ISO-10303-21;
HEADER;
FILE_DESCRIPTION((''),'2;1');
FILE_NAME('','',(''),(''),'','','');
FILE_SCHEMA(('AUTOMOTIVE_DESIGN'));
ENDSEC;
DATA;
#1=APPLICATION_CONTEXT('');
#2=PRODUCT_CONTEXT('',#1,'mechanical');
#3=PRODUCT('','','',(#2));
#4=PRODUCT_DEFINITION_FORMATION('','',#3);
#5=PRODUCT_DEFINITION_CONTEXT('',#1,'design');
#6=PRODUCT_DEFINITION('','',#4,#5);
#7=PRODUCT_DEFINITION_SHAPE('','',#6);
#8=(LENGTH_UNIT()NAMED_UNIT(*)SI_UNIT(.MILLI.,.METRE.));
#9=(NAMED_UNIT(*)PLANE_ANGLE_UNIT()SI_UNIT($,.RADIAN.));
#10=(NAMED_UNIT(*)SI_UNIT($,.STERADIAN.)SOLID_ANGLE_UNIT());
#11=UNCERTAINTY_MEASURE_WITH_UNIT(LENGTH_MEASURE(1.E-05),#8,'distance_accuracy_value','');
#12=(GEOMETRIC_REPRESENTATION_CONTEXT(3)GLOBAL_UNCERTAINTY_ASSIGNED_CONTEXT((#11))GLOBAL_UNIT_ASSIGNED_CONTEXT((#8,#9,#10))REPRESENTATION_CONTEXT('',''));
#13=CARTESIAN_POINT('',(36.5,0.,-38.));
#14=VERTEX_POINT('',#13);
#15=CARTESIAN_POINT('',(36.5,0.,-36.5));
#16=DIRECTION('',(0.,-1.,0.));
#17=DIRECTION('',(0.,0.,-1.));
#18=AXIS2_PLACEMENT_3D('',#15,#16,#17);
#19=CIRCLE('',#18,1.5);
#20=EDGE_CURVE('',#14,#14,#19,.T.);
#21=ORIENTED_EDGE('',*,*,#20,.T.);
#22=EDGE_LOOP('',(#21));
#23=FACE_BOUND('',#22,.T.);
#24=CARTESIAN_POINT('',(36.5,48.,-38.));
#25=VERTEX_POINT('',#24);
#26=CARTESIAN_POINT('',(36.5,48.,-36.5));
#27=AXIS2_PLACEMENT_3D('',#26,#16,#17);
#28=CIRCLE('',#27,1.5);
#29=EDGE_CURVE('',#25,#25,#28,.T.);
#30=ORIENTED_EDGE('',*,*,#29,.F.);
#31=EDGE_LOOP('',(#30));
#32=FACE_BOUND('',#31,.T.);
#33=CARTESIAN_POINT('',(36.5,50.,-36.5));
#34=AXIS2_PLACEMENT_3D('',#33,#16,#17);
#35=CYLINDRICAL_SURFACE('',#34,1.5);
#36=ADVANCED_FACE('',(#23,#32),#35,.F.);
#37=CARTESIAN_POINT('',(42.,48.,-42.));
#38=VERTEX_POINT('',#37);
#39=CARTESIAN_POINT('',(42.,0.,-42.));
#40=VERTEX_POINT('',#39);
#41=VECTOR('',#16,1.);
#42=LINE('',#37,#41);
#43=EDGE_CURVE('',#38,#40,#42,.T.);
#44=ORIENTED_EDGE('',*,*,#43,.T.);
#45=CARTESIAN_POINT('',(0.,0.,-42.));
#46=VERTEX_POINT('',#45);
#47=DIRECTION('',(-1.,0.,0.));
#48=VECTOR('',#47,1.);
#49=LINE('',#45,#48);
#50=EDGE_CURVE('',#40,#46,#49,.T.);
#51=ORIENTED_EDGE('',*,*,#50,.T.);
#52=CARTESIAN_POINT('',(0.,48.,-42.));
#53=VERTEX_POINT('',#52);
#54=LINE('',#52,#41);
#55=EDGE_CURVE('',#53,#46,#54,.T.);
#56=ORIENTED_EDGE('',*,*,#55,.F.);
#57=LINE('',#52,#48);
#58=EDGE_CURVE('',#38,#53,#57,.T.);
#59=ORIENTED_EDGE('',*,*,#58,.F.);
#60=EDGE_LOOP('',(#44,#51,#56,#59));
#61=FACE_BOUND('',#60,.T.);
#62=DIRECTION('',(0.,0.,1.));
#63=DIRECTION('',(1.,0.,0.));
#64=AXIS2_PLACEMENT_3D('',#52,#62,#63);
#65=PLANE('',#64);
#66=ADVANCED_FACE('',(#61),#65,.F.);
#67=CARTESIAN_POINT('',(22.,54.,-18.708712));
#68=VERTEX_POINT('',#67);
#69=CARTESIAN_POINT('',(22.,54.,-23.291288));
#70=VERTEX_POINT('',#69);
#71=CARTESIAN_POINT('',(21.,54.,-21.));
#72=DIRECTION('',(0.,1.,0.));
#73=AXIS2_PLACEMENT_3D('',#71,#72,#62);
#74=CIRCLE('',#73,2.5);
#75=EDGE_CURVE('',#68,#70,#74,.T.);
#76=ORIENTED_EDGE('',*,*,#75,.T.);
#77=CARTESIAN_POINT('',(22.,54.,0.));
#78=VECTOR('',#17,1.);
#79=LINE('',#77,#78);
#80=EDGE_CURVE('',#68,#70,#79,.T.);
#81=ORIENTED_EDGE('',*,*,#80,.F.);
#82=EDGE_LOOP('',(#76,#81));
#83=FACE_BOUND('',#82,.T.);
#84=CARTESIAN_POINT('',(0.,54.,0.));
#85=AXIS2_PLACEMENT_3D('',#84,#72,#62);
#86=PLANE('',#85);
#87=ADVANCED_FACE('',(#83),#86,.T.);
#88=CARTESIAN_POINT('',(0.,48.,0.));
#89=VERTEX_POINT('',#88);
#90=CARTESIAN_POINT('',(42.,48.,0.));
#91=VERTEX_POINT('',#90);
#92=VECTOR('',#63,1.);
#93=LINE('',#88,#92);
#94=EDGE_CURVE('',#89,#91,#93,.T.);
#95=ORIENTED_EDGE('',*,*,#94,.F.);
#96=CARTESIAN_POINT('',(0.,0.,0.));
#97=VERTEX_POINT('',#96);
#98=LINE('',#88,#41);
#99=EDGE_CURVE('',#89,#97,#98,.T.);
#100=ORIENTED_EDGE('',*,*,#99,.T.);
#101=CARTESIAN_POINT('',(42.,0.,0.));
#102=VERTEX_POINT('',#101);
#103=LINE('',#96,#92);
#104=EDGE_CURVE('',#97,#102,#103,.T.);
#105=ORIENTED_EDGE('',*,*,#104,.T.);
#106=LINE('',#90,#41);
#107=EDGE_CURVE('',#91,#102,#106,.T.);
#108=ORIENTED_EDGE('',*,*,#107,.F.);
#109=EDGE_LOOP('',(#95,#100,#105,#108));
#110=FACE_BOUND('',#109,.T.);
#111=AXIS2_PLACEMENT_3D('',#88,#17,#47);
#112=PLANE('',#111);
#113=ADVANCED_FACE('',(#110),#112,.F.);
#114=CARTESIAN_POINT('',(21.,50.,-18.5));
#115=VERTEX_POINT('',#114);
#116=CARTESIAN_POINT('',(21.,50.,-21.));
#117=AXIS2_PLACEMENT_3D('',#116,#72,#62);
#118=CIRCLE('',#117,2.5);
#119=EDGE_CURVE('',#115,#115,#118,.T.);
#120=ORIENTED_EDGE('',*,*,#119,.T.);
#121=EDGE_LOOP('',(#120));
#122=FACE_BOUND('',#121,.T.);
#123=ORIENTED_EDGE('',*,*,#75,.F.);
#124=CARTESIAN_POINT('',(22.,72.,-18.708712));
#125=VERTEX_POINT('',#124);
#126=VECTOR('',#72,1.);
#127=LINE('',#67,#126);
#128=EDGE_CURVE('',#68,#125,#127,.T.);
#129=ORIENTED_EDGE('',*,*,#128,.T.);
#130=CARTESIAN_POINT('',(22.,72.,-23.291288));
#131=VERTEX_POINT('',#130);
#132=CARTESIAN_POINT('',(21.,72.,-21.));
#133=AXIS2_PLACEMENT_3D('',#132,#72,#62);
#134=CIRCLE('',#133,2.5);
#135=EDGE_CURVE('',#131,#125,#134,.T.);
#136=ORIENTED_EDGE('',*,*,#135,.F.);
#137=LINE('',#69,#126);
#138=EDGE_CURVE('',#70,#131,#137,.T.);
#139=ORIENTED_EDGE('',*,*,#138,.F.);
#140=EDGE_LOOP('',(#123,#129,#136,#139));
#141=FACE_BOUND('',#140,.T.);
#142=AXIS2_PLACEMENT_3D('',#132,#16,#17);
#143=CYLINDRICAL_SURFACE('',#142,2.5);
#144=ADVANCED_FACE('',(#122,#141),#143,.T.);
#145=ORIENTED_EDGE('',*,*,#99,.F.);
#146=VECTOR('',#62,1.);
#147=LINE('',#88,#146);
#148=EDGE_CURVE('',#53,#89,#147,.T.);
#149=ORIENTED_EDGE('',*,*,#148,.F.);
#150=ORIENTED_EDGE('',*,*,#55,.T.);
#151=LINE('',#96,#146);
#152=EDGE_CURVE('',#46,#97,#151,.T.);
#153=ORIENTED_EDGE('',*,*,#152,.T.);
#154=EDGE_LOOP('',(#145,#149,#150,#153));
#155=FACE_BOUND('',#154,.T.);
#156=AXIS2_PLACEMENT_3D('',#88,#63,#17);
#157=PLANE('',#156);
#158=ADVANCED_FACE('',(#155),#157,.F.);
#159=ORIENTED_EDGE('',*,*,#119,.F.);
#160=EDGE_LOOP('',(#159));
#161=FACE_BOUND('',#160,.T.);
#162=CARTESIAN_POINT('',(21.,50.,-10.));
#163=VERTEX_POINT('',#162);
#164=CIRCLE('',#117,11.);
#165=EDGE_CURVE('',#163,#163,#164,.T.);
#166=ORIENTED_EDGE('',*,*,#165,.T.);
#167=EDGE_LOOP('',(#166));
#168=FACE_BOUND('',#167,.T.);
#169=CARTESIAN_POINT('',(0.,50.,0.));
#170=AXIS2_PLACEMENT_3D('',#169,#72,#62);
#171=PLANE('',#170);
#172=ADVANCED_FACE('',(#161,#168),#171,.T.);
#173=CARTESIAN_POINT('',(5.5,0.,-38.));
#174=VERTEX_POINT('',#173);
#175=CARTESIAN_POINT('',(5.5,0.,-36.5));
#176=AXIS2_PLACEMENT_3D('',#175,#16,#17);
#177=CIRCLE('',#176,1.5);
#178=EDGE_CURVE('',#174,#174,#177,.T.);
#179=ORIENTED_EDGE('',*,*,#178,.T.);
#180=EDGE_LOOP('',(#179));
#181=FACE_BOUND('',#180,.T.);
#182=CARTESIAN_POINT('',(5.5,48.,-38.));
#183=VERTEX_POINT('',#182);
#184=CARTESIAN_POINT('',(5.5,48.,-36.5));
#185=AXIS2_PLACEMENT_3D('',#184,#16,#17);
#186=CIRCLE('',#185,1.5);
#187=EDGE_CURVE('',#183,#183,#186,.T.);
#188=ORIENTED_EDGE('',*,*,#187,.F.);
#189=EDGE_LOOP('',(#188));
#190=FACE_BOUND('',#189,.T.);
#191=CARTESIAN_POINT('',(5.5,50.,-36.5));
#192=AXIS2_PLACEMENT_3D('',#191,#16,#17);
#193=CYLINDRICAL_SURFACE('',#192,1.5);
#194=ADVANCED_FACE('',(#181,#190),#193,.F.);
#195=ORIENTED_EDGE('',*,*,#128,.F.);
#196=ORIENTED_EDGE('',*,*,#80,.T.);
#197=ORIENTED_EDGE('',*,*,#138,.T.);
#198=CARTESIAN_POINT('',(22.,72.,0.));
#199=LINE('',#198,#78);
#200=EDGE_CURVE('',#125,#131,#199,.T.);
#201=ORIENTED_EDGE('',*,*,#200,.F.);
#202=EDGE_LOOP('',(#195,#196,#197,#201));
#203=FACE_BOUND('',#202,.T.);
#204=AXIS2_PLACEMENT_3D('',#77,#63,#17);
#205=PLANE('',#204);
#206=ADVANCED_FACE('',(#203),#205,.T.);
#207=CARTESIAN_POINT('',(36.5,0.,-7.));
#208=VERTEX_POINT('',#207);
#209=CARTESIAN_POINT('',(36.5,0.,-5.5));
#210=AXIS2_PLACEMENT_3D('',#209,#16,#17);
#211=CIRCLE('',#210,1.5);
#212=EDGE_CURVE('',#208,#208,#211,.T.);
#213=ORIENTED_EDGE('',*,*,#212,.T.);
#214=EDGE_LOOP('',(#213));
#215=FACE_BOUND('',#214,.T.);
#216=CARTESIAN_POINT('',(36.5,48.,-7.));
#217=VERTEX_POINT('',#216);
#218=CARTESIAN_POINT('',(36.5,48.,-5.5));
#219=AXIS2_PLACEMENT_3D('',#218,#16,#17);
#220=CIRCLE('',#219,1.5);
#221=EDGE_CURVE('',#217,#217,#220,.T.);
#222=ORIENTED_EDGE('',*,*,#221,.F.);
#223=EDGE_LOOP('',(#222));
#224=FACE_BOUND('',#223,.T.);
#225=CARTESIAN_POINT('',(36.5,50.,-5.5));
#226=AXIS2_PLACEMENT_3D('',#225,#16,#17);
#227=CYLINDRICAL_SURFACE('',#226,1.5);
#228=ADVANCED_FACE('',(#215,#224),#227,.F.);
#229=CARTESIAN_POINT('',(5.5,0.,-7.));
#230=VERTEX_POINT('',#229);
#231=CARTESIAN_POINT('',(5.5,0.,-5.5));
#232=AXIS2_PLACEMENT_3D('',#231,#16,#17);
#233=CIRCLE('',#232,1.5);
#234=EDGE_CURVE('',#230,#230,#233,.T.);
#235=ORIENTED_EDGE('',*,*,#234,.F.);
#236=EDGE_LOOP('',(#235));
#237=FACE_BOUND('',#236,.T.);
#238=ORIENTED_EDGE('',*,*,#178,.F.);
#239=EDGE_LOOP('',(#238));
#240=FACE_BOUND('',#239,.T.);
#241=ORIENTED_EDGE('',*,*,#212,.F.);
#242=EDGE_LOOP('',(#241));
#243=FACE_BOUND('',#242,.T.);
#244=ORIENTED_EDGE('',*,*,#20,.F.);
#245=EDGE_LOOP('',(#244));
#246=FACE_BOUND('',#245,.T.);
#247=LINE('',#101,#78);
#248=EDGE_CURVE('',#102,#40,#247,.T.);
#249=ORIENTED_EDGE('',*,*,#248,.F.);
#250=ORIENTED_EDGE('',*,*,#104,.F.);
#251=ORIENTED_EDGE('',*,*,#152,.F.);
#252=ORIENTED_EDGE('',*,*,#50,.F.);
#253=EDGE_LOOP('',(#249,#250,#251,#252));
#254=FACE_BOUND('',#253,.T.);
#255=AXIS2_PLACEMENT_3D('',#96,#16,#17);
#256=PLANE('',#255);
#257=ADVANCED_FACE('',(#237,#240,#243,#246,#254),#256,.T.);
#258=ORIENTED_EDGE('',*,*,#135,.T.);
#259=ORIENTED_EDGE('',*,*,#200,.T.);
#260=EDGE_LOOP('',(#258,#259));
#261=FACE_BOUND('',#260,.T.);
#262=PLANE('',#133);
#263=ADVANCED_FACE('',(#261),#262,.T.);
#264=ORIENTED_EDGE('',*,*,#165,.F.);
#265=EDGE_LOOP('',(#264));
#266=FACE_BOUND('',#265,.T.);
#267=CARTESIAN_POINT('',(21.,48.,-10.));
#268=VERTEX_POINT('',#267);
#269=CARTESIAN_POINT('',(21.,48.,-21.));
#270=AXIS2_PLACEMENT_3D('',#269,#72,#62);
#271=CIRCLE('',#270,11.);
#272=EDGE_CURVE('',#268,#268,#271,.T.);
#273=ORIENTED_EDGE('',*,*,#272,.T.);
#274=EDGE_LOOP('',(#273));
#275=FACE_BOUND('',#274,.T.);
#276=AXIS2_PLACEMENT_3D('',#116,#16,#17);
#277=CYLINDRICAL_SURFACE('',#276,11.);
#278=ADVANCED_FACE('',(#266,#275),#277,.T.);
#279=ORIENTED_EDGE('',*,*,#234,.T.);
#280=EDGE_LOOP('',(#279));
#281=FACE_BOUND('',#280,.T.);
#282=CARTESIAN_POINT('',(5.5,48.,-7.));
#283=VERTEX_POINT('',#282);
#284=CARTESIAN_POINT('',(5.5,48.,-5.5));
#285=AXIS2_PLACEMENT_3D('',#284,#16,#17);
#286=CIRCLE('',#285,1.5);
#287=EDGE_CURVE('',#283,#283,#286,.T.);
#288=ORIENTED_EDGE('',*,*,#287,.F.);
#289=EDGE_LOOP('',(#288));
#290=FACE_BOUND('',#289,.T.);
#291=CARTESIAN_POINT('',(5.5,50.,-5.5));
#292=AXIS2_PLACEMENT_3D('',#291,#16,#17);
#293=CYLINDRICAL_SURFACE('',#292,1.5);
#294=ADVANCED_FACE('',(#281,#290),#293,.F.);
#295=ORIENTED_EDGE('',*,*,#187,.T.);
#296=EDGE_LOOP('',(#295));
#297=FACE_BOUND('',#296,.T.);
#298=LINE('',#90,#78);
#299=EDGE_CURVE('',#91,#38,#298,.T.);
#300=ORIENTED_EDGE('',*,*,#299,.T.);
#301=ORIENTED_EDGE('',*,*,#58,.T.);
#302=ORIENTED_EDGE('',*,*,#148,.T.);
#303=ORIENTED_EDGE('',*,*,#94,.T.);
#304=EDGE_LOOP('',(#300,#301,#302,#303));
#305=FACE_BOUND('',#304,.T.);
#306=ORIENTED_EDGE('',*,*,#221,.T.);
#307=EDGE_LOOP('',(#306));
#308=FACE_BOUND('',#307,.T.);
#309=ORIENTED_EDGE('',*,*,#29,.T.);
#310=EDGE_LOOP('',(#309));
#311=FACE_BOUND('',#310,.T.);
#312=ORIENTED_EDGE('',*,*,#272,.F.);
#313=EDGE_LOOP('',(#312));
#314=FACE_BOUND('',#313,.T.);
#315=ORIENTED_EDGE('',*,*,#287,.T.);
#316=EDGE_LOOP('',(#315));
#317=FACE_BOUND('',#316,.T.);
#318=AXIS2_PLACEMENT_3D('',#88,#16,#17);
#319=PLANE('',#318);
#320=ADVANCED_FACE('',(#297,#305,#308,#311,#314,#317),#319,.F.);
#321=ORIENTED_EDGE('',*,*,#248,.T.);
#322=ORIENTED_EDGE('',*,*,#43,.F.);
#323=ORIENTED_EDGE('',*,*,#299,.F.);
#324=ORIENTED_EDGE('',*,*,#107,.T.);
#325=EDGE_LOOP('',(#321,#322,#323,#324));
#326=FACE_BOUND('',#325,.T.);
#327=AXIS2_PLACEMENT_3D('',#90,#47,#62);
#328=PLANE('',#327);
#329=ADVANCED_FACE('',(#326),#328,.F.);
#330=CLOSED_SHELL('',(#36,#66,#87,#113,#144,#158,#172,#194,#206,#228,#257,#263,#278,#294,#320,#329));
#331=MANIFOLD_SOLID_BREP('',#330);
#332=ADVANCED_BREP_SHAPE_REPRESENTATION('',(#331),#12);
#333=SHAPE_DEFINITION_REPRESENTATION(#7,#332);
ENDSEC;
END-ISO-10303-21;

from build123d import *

# Parameters (mm, degrees)
SKETCH_1_W          = 42
SKETCH_1_H          = 42
EXTRUDE_1_DEPTH     = 48
SKETCH_2_R          = 11
EXTRUDE_2_DEPTH     = 2
SKETCH_3_R          = 1.5
CUT_EXTRUDE_1_DEPTH = 78.640195775
SKETCH_4_R          = 2.5
EXTRUDE_3_DEPTH     = 22
CUT_EXTRUDE_START   = -18
CUT_EXTRUDE_2_DEPTH = 18


with BuildPart() as part:
    # 草图1 → 凸台-拉伸1 (new body)
    with BuildSketch(Plane(origin=(0, 0, 0), x_dir=(1, 0, 0), z_dir=(0, 1, 0))):
        with Locations((21, 21)):
            Rectangle(SKETCH_1_W, SKETCH_1_H)
    extrude(amount=EXTRUDE_1_DEPTH)

    # 草图2 → 凸台-拉伸2 (add)
    with BuildSketch(Plane(origin=(0, 48, 0), x_dir=(1, 0, 0), z_dir=(0, 1, 0))):
        with Locations(Location((21, 21, 0), (0, 0, 270))):
            Circle(SKETCH_2_R)
    extrude(amount=EXTRUDE_2_DEPTH)

    # 草图3 → 切除-拉伸1 (cut, through all)
    with BuildSketch(Plane.XZ):
        with Locations(Location((36.5, -5.5, 0), (0, 0, 270))):
            Circle(SKETCH_3_R)
        with Locations(Location((5.5, -5.5, 0), (0, 0, 270))):
            Circle(SKETCH_3_R)
        with Locations(Location((5.5, -36.5, 0), (0, 0, 270))):
            Circle(SKETCH_3_R)
        with Locations(Location((36.5, -36.5, 0), (0, 0, 270))):
            Circle(SKETCH_3_R)
    extrude(amount=-CUT_EXTRUDE_1_DEPTH, mode=Mode.SUBTRACT)

    # 草图4 → 凸台-拉伸3 (add)
    with BuildSketch(Plane(origin=(0, 50, 0), x_dir=(1, 0, 0), z_dir=(0, 1, 0))):
        with Locations(Location((21, 21, 0), (0, 0, 270))):
            Circle(SKETCH_4_R)
    extrude(amount=EXTRUDE_3_DEPTH)

    # 草图5 → 切除-拉伸2 (cut)
    with BuildSketch(Plane(origin=(0, 72, 0), x_dir=(1, 0, 0), z_dir=(0, 1, 0)).offset(CUT_EXTRUDE_START)):
        with BuildLine():
            Line((22, 23.291287847), (22, 21))
            Line((22, 21), (22, 18.708712153))
            ThreePointArc((22, 18.708712153), (23.091650066, 19.630693606), (23.5, 21))
            ThreePointArc((23.5, 21), (23.091650066, 22.369306394), (22, 23.291287847))
        make_face()
    extrude(amount=CUT_EXTRUDE_2_DEPTH, mode=Mode.SUBTRACT)


solid = part.part
